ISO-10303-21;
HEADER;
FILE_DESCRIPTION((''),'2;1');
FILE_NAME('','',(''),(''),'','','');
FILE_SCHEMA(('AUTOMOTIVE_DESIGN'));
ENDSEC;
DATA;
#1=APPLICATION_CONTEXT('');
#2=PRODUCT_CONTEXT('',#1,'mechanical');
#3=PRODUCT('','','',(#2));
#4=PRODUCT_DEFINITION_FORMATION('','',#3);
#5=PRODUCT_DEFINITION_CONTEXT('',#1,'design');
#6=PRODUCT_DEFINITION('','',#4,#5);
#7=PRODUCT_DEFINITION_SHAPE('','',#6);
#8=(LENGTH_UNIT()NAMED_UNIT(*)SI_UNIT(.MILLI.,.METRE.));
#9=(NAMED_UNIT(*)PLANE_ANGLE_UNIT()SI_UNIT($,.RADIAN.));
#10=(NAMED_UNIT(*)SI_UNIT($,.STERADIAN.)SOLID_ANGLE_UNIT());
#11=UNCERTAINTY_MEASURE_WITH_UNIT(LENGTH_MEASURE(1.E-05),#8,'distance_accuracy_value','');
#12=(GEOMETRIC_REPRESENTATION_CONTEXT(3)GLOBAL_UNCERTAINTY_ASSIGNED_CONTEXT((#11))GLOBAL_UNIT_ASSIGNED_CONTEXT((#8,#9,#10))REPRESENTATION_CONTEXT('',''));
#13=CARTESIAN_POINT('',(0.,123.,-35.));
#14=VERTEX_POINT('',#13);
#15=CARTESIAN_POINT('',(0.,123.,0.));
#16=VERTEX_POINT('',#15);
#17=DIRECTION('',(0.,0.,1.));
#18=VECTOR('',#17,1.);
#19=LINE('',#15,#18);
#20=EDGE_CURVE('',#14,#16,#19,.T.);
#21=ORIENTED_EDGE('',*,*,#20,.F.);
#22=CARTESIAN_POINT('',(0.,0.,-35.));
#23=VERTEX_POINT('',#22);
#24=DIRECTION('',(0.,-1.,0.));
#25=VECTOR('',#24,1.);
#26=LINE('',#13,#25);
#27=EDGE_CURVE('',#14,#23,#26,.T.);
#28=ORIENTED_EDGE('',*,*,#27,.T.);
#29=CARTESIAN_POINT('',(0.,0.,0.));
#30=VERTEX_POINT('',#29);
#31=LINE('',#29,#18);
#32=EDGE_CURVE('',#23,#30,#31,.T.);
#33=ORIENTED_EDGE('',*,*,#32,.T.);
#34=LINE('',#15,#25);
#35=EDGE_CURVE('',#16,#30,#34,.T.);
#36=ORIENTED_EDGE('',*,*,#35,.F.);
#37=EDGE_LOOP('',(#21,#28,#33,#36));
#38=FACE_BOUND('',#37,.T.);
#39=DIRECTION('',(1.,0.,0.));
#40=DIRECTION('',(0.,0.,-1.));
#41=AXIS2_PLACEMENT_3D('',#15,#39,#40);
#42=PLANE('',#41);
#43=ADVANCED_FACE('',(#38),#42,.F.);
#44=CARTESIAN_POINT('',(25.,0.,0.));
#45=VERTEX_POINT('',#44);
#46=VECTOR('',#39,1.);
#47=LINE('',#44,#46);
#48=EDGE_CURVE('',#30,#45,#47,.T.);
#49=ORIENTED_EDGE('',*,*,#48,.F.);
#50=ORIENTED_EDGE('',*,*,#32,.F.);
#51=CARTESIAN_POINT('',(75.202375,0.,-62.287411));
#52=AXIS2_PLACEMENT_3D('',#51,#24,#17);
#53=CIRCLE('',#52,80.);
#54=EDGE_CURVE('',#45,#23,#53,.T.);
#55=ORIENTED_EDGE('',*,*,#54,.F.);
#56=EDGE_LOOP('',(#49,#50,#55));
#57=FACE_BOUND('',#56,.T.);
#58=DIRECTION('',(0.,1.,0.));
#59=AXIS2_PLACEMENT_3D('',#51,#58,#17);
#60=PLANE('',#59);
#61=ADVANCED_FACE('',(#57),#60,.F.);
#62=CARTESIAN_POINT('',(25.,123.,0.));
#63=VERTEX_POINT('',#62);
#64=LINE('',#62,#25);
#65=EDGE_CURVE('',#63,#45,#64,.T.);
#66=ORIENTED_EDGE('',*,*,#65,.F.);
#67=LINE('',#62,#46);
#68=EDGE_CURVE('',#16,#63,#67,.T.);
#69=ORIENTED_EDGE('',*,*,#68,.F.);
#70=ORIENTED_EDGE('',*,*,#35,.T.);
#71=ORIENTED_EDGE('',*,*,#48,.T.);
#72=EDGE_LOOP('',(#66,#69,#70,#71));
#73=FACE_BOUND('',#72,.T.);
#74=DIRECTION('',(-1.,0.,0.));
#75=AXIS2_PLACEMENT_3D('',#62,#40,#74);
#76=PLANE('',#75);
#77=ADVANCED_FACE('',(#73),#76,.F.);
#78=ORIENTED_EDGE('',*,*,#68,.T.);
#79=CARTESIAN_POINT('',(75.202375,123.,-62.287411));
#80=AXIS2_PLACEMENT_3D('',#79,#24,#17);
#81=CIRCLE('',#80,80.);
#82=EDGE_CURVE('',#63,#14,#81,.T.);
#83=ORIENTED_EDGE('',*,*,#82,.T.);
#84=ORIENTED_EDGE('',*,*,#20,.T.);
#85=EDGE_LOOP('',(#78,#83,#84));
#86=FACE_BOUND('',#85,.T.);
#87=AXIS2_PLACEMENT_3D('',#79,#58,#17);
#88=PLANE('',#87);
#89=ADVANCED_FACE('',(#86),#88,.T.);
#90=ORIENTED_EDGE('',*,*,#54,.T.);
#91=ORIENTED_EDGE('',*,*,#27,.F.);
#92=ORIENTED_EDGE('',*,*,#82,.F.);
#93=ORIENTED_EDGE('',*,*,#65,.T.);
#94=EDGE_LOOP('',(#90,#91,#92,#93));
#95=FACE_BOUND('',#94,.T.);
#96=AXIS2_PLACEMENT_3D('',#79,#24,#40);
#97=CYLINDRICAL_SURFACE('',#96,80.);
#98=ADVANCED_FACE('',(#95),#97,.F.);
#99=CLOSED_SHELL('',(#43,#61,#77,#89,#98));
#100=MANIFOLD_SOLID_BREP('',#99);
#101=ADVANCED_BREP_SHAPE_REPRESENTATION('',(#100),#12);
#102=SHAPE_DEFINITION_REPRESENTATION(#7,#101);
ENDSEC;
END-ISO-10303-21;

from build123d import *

# Parameters (mm, degrees)
BOSS_EXTRUDE1_DEPTH = 123


with BuildPart() as part:
    # Sketch1 → Boss-Extrude1 (new body)
    with BuildSketch(Plane(origin=(0, 0, 0), x_dir=(1, 0, 0), z_dir=(0, 1, 0))):
        with BuildLine():
            Line((0, 0), (0, 35))
            ThreePointArc((0, 35), (10.103697361, 15.788355258), (25, 0))
            Line((25, 0), (0, 0))
        make_face()
    extrude(amount=BOSS_EXTRUDE1_DEPTH)


solid = part.part
